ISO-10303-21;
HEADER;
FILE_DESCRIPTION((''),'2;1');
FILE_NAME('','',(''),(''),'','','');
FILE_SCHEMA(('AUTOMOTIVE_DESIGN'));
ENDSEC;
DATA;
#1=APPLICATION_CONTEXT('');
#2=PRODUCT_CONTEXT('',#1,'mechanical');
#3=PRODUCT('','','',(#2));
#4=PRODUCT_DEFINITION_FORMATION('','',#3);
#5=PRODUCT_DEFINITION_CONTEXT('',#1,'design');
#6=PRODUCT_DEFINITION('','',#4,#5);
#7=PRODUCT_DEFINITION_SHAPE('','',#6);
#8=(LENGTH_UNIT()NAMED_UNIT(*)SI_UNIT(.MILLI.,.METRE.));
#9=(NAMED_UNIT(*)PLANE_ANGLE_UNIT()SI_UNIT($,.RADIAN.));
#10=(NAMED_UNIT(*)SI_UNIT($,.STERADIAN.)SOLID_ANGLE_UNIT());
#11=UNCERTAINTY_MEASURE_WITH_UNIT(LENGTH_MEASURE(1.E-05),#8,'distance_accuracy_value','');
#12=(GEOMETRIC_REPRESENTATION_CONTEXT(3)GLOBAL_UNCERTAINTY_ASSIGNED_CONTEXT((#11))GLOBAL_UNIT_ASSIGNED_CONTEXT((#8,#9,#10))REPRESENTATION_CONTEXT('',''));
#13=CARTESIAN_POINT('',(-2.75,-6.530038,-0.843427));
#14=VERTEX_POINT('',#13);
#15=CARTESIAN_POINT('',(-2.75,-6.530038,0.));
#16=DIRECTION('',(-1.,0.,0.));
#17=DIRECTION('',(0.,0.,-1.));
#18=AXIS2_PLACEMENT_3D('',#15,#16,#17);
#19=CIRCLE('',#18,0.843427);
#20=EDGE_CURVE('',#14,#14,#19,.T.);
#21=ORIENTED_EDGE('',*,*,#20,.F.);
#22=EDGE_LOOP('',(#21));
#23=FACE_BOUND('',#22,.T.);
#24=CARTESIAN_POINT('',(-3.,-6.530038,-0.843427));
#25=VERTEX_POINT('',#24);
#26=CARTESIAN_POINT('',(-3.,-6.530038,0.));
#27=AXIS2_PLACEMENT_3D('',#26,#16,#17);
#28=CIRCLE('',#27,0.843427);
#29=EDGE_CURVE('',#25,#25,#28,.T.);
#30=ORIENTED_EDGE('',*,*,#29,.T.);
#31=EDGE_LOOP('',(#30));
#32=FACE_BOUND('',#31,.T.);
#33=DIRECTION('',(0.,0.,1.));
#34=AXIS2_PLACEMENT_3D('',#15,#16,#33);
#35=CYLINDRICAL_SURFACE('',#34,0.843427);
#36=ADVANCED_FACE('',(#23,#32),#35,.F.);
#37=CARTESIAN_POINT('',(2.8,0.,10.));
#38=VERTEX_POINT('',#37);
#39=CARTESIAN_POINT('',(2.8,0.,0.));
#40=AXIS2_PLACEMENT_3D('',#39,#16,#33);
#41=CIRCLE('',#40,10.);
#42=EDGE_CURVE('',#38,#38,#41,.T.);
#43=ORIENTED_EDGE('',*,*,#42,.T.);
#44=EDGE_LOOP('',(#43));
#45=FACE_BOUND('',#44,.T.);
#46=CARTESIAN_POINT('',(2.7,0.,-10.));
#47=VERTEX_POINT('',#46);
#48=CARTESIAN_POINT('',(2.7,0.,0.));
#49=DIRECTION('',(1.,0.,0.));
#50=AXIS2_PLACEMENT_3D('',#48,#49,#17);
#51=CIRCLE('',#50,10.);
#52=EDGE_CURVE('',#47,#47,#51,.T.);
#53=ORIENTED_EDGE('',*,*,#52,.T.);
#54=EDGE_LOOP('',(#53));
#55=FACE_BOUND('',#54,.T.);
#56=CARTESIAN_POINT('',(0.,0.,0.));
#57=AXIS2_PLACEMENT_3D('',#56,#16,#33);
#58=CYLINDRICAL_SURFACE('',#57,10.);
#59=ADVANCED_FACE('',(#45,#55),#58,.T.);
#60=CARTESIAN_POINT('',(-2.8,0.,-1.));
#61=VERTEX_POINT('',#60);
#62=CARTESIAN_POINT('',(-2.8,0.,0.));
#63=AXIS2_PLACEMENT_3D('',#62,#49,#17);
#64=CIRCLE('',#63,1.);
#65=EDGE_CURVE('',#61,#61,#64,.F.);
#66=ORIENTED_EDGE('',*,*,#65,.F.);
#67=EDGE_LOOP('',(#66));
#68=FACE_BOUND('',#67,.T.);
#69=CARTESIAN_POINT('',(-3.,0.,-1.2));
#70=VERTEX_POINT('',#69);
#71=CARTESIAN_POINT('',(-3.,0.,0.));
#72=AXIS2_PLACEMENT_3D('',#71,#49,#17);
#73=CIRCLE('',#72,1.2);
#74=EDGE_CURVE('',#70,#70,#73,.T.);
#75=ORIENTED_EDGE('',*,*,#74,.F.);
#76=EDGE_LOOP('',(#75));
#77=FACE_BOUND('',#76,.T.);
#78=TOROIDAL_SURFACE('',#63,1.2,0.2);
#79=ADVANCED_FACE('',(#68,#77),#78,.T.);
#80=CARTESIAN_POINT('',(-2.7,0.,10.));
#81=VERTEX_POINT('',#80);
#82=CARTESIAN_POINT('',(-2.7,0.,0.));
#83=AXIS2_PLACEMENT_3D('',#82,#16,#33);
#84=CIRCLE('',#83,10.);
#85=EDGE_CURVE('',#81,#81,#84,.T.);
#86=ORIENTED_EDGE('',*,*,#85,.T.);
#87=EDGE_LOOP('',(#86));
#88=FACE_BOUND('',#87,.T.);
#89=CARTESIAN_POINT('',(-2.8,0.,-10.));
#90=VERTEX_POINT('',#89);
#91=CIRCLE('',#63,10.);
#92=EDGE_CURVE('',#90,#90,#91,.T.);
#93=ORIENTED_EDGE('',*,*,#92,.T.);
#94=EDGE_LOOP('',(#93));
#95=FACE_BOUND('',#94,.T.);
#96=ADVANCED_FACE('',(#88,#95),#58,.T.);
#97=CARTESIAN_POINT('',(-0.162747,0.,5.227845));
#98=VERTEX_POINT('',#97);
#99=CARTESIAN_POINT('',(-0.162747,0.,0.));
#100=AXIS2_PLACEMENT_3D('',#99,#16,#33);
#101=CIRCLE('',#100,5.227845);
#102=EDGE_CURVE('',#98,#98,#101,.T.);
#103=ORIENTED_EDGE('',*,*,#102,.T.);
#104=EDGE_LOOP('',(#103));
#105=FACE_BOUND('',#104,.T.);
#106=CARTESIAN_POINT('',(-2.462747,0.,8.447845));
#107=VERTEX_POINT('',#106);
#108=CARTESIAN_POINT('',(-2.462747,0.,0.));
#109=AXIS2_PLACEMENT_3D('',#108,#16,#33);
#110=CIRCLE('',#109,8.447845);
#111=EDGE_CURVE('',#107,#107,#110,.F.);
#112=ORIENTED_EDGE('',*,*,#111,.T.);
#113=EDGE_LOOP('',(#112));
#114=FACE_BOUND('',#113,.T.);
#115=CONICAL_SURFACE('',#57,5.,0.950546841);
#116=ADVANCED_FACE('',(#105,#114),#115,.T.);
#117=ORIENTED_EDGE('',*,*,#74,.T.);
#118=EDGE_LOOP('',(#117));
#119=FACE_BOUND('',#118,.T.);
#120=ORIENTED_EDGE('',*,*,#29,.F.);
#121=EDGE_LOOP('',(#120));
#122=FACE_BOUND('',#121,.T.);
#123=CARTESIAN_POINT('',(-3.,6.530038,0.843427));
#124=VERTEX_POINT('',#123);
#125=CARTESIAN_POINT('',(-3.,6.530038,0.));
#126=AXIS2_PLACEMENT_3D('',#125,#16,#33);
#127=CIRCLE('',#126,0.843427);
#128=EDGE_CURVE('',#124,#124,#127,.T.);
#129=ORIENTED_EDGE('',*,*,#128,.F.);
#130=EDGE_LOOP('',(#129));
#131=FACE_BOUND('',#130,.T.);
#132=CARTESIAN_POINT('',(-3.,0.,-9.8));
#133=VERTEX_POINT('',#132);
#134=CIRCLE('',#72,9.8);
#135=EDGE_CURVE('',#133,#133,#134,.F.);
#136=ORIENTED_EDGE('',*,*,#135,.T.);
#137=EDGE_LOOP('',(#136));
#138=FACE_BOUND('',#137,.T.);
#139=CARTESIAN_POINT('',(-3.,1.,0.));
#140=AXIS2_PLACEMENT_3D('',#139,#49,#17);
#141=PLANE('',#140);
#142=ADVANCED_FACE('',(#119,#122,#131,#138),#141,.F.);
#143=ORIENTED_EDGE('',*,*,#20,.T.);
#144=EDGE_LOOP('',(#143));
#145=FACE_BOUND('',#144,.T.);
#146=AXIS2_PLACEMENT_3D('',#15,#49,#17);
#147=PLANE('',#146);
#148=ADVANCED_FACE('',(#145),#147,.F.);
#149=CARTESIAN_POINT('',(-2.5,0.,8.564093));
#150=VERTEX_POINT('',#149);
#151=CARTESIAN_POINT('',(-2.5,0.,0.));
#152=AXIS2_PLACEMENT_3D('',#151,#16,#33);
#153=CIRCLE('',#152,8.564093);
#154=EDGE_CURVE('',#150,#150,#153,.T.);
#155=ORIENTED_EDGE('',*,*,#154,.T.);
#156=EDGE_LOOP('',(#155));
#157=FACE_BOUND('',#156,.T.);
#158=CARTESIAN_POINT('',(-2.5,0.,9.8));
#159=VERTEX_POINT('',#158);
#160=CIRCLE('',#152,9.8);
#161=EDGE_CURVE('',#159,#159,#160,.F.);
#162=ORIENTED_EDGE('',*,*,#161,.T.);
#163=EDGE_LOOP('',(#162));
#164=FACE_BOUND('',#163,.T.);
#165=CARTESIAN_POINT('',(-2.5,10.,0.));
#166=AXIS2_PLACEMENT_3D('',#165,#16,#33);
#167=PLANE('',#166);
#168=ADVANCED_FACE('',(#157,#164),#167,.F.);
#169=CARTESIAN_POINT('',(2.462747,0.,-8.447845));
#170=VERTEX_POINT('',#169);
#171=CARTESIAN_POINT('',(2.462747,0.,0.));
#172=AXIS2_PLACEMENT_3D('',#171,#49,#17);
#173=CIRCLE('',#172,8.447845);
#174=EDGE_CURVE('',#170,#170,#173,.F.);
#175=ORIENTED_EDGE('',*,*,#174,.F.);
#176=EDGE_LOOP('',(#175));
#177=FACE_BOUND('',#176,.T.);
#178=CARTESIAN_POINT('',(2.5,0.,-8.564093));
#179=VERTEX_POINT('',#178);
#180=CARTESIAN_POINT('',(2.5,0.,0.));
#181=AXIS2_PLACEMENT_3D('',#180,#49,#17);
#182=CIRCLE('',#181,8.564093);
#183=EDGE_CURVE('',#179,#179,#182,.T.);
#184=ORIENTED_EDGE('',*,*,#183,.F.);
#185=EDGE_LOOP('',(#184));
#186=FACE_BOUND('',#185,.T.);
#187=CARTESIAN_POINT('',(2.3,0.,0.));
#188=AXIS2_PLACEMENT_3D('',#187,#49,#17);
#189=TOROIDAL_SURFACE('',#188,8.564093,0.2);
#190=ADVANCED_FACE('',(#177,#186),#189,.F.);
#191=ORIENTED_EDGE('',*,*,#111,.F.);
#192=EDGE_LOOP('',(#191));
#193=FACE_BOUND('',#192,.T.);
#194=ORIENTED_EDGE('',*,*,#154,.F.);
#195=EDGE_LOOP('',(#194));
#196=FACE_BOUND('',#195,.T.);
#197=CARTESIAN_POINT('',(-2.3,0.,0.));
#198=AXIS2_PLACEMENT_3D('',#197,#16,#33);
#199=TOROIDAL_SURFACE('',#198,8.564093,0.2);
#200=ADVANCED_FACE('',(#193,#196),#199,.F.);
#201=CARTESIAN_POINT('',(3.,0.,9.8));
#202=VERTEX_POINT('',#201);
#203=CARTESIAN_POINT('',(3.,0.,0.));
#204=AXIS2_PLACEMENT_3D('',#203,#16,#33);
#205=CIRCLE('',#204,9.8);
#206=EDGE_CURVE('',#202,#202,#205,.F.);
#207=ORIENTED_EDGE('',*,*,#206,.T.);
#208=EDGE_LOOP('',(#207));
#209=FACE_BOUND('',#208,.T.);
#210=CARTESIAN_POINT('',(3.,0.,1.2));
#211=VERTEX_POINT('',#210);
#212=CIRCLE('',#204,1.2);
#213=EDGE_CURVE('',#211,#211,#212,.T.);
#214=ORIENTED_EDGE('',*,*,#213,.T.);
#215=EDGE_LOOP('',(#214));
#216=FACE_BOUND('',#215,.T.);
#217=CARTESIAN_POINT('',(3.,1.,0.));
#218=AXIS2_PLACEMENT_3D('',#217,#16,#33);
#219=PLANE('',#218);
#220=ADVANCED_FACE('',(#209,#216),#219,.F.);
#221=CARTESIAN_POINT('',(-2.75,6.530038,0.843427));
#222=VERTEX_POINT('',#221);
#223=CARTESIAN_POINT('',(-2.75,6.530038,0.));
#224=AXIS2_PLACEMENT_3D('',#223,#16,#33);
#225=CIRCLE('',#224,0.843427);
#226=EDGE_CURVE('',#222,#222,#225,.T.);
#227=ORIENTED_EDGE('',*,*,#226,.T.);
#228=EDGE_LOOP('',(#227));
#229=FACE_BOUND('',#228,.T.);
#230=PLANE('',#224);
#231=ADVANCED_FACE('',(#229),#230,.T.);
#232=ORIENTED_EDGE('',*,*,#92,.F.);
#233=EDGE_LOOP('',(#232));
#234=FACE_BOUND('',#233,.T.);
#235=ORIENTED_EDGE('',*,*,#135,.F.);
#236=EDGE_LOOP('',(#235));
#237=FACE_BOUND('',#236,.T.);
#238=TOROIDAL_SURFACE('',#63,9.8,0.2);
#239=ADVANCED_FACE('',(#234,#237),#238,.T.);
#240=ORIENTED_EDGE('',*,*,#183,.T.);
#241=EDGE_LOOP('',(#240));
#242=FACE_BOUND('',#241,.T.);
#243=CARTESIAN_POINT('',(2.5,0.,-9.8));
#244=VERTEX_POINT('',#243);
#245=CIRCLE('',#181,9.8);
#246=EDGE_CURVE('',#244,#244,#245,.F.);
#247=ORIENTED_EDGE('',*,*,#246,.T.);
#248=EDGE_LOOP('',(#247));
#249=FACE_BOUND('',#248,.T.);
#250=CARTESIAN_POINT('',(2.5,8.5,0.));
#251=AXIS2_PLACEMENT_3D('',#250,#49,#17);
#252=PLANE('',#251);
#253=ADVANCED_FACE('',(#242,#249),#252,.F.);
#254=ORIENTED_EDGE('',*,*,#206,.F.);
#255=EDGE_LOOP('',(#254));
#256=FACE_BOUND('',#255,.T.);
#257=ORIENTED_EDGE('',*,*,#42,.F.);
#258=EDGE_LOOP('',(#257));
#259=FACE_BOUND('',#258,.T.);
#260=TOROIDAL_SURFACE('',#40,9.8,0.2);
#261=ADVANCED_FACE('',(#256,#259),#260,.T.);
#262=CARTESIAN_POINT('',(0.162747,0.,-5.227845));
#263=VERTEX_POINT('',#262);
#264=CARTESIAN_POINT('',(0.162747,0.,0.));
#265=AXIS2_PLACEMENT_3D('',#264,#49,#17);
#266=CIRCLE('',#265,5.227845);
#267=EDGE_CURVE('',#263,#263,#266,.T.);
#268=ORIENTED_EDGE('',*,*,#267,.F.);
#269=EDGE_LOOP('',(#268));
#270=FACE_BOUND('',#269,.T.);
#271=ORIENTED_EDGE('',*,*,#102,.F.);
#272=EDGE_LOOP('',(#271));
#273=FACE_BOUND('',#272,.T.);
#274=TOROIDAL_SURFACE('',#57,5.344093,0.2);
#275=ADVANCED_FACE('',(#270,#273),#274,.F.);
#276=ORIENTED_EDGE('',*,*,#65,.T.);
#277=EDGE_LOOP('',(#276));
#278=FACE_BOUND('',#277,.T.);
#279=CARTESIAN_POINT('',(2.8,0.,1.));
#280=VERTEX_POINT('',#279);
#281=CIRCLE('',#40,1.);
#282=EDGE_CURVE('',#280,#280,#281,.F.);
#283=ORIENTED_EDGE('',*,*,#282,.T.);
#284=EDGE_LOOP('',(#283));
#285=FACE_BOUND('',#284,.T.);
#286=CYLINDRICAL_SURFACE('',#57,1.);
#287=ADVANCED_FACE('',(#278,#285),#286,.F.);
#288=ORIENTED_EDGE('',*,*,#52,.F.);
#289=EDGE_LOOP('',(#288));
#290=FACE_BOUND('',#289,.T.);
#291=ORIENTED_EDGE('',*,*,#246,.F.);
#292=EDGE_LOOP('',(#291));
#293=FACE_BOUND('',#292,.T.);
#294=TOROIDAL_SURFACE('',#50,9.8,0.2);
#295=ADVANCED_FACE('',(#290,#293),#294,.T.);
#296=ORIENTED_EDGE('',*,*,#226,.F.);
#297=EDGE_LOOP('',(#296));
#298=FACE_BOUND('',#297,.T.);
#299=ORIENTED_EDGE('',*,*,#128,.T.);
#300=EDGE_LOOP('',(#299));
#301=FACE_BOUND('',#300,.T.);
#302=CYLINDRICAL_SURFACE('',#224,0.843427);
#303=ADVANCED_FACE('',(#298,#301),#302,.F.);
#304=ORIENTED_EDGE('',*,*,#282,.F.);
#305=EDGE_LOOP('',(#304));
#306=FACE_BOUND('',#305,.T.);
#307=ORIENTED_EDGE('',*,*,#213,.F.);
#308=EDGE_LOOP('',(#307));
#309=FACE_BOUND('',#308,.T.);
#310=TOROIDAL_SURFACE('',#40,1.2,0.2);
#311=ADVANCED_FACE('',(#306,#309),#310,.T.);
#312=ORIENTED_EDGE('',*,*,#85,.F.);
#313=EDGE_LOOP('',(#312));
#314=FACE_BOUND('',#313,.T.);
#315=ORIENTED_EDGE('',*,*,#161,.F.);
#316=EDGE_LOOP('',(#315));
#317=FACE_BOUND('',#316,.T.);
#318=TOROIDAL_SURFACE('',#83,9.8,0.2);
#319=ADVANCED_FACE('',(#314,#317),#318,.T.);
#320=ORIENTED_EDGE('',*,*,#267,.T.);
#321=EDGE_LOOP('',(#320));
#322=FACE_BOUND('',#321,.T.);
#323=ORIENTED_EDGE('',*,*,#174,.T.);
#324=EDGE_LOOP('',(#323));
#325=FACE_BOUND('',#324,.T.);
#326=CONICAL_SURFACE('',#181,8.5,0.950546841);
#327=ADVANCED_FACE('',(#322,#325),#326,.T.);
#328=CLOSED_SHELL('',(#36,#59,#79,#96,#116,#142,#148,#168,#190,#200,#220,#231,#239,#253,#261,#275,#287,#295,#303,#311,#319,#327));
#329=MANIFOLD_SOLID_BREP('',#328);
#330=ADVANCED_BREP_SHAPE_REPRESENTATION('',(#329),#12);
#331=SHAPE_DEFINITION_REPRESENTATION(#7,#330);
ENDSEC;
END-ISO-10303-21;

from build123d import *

# Parameters (mm, degrees)
CONG_1_R                = 0.2
ESQUISSE2_R             = 0.84342655
ENL_V_MAT_EXTRU_1_DEPTH = 0.25


with BuildPart() as part:
    # Esquisse1 → Révolution2 (revolve)
    with BuildSketch(Plane.XY, mode=Mode.PRIVATE) as r_volution2_sk:
        Polygon((-2.5, 8.5), (0, 5), (2.5, 8.5), (2.5, 10), (3, 10), (3, 1), (-3, 1), (-3, 10), (-2.5, 10), align=None)
    revolve(r_volution2_sk.sketch.rotate(Axis((0, 0, 0), (1, 0, 0)), 90), axis=Axis((0, 0, 0), (1, 0, 0)))

    # Congé1
    cong_1_edges = [part.edges().sort_by_distance(p)[0] for p in [
        (-2.5, 0, -8.5),
        (0, 0, -5),
        (2.5, 0, -8.5),
        (2.5, 0, -10),
        (3, 0, -10),
        (3, 0, -1),
        (-3, 0, -1),
        (-3, 0, -10),
        (-2.5, 0, -10),
    ]]
    fillet(cong_1_edges, radius=CONG_1_R)

    # Esquisse2 → Enlèv. mat.-Extru.1 (cut)
    with BuildSketch(Plane.ZY.offset(3)):
        with Locations((0, 6.530038176)):
            Circle(ESQUISSE2_R)
        with Locations(Location((0, -6.530038176, 0), (0, 0, 180))):
            Circle(ESQUISSE2_R)
    extrude(amount=-ENL_V_MAT_EXTRU_1_DEPTH, mode=Mode.SUBTRACT)


solid = part.part
